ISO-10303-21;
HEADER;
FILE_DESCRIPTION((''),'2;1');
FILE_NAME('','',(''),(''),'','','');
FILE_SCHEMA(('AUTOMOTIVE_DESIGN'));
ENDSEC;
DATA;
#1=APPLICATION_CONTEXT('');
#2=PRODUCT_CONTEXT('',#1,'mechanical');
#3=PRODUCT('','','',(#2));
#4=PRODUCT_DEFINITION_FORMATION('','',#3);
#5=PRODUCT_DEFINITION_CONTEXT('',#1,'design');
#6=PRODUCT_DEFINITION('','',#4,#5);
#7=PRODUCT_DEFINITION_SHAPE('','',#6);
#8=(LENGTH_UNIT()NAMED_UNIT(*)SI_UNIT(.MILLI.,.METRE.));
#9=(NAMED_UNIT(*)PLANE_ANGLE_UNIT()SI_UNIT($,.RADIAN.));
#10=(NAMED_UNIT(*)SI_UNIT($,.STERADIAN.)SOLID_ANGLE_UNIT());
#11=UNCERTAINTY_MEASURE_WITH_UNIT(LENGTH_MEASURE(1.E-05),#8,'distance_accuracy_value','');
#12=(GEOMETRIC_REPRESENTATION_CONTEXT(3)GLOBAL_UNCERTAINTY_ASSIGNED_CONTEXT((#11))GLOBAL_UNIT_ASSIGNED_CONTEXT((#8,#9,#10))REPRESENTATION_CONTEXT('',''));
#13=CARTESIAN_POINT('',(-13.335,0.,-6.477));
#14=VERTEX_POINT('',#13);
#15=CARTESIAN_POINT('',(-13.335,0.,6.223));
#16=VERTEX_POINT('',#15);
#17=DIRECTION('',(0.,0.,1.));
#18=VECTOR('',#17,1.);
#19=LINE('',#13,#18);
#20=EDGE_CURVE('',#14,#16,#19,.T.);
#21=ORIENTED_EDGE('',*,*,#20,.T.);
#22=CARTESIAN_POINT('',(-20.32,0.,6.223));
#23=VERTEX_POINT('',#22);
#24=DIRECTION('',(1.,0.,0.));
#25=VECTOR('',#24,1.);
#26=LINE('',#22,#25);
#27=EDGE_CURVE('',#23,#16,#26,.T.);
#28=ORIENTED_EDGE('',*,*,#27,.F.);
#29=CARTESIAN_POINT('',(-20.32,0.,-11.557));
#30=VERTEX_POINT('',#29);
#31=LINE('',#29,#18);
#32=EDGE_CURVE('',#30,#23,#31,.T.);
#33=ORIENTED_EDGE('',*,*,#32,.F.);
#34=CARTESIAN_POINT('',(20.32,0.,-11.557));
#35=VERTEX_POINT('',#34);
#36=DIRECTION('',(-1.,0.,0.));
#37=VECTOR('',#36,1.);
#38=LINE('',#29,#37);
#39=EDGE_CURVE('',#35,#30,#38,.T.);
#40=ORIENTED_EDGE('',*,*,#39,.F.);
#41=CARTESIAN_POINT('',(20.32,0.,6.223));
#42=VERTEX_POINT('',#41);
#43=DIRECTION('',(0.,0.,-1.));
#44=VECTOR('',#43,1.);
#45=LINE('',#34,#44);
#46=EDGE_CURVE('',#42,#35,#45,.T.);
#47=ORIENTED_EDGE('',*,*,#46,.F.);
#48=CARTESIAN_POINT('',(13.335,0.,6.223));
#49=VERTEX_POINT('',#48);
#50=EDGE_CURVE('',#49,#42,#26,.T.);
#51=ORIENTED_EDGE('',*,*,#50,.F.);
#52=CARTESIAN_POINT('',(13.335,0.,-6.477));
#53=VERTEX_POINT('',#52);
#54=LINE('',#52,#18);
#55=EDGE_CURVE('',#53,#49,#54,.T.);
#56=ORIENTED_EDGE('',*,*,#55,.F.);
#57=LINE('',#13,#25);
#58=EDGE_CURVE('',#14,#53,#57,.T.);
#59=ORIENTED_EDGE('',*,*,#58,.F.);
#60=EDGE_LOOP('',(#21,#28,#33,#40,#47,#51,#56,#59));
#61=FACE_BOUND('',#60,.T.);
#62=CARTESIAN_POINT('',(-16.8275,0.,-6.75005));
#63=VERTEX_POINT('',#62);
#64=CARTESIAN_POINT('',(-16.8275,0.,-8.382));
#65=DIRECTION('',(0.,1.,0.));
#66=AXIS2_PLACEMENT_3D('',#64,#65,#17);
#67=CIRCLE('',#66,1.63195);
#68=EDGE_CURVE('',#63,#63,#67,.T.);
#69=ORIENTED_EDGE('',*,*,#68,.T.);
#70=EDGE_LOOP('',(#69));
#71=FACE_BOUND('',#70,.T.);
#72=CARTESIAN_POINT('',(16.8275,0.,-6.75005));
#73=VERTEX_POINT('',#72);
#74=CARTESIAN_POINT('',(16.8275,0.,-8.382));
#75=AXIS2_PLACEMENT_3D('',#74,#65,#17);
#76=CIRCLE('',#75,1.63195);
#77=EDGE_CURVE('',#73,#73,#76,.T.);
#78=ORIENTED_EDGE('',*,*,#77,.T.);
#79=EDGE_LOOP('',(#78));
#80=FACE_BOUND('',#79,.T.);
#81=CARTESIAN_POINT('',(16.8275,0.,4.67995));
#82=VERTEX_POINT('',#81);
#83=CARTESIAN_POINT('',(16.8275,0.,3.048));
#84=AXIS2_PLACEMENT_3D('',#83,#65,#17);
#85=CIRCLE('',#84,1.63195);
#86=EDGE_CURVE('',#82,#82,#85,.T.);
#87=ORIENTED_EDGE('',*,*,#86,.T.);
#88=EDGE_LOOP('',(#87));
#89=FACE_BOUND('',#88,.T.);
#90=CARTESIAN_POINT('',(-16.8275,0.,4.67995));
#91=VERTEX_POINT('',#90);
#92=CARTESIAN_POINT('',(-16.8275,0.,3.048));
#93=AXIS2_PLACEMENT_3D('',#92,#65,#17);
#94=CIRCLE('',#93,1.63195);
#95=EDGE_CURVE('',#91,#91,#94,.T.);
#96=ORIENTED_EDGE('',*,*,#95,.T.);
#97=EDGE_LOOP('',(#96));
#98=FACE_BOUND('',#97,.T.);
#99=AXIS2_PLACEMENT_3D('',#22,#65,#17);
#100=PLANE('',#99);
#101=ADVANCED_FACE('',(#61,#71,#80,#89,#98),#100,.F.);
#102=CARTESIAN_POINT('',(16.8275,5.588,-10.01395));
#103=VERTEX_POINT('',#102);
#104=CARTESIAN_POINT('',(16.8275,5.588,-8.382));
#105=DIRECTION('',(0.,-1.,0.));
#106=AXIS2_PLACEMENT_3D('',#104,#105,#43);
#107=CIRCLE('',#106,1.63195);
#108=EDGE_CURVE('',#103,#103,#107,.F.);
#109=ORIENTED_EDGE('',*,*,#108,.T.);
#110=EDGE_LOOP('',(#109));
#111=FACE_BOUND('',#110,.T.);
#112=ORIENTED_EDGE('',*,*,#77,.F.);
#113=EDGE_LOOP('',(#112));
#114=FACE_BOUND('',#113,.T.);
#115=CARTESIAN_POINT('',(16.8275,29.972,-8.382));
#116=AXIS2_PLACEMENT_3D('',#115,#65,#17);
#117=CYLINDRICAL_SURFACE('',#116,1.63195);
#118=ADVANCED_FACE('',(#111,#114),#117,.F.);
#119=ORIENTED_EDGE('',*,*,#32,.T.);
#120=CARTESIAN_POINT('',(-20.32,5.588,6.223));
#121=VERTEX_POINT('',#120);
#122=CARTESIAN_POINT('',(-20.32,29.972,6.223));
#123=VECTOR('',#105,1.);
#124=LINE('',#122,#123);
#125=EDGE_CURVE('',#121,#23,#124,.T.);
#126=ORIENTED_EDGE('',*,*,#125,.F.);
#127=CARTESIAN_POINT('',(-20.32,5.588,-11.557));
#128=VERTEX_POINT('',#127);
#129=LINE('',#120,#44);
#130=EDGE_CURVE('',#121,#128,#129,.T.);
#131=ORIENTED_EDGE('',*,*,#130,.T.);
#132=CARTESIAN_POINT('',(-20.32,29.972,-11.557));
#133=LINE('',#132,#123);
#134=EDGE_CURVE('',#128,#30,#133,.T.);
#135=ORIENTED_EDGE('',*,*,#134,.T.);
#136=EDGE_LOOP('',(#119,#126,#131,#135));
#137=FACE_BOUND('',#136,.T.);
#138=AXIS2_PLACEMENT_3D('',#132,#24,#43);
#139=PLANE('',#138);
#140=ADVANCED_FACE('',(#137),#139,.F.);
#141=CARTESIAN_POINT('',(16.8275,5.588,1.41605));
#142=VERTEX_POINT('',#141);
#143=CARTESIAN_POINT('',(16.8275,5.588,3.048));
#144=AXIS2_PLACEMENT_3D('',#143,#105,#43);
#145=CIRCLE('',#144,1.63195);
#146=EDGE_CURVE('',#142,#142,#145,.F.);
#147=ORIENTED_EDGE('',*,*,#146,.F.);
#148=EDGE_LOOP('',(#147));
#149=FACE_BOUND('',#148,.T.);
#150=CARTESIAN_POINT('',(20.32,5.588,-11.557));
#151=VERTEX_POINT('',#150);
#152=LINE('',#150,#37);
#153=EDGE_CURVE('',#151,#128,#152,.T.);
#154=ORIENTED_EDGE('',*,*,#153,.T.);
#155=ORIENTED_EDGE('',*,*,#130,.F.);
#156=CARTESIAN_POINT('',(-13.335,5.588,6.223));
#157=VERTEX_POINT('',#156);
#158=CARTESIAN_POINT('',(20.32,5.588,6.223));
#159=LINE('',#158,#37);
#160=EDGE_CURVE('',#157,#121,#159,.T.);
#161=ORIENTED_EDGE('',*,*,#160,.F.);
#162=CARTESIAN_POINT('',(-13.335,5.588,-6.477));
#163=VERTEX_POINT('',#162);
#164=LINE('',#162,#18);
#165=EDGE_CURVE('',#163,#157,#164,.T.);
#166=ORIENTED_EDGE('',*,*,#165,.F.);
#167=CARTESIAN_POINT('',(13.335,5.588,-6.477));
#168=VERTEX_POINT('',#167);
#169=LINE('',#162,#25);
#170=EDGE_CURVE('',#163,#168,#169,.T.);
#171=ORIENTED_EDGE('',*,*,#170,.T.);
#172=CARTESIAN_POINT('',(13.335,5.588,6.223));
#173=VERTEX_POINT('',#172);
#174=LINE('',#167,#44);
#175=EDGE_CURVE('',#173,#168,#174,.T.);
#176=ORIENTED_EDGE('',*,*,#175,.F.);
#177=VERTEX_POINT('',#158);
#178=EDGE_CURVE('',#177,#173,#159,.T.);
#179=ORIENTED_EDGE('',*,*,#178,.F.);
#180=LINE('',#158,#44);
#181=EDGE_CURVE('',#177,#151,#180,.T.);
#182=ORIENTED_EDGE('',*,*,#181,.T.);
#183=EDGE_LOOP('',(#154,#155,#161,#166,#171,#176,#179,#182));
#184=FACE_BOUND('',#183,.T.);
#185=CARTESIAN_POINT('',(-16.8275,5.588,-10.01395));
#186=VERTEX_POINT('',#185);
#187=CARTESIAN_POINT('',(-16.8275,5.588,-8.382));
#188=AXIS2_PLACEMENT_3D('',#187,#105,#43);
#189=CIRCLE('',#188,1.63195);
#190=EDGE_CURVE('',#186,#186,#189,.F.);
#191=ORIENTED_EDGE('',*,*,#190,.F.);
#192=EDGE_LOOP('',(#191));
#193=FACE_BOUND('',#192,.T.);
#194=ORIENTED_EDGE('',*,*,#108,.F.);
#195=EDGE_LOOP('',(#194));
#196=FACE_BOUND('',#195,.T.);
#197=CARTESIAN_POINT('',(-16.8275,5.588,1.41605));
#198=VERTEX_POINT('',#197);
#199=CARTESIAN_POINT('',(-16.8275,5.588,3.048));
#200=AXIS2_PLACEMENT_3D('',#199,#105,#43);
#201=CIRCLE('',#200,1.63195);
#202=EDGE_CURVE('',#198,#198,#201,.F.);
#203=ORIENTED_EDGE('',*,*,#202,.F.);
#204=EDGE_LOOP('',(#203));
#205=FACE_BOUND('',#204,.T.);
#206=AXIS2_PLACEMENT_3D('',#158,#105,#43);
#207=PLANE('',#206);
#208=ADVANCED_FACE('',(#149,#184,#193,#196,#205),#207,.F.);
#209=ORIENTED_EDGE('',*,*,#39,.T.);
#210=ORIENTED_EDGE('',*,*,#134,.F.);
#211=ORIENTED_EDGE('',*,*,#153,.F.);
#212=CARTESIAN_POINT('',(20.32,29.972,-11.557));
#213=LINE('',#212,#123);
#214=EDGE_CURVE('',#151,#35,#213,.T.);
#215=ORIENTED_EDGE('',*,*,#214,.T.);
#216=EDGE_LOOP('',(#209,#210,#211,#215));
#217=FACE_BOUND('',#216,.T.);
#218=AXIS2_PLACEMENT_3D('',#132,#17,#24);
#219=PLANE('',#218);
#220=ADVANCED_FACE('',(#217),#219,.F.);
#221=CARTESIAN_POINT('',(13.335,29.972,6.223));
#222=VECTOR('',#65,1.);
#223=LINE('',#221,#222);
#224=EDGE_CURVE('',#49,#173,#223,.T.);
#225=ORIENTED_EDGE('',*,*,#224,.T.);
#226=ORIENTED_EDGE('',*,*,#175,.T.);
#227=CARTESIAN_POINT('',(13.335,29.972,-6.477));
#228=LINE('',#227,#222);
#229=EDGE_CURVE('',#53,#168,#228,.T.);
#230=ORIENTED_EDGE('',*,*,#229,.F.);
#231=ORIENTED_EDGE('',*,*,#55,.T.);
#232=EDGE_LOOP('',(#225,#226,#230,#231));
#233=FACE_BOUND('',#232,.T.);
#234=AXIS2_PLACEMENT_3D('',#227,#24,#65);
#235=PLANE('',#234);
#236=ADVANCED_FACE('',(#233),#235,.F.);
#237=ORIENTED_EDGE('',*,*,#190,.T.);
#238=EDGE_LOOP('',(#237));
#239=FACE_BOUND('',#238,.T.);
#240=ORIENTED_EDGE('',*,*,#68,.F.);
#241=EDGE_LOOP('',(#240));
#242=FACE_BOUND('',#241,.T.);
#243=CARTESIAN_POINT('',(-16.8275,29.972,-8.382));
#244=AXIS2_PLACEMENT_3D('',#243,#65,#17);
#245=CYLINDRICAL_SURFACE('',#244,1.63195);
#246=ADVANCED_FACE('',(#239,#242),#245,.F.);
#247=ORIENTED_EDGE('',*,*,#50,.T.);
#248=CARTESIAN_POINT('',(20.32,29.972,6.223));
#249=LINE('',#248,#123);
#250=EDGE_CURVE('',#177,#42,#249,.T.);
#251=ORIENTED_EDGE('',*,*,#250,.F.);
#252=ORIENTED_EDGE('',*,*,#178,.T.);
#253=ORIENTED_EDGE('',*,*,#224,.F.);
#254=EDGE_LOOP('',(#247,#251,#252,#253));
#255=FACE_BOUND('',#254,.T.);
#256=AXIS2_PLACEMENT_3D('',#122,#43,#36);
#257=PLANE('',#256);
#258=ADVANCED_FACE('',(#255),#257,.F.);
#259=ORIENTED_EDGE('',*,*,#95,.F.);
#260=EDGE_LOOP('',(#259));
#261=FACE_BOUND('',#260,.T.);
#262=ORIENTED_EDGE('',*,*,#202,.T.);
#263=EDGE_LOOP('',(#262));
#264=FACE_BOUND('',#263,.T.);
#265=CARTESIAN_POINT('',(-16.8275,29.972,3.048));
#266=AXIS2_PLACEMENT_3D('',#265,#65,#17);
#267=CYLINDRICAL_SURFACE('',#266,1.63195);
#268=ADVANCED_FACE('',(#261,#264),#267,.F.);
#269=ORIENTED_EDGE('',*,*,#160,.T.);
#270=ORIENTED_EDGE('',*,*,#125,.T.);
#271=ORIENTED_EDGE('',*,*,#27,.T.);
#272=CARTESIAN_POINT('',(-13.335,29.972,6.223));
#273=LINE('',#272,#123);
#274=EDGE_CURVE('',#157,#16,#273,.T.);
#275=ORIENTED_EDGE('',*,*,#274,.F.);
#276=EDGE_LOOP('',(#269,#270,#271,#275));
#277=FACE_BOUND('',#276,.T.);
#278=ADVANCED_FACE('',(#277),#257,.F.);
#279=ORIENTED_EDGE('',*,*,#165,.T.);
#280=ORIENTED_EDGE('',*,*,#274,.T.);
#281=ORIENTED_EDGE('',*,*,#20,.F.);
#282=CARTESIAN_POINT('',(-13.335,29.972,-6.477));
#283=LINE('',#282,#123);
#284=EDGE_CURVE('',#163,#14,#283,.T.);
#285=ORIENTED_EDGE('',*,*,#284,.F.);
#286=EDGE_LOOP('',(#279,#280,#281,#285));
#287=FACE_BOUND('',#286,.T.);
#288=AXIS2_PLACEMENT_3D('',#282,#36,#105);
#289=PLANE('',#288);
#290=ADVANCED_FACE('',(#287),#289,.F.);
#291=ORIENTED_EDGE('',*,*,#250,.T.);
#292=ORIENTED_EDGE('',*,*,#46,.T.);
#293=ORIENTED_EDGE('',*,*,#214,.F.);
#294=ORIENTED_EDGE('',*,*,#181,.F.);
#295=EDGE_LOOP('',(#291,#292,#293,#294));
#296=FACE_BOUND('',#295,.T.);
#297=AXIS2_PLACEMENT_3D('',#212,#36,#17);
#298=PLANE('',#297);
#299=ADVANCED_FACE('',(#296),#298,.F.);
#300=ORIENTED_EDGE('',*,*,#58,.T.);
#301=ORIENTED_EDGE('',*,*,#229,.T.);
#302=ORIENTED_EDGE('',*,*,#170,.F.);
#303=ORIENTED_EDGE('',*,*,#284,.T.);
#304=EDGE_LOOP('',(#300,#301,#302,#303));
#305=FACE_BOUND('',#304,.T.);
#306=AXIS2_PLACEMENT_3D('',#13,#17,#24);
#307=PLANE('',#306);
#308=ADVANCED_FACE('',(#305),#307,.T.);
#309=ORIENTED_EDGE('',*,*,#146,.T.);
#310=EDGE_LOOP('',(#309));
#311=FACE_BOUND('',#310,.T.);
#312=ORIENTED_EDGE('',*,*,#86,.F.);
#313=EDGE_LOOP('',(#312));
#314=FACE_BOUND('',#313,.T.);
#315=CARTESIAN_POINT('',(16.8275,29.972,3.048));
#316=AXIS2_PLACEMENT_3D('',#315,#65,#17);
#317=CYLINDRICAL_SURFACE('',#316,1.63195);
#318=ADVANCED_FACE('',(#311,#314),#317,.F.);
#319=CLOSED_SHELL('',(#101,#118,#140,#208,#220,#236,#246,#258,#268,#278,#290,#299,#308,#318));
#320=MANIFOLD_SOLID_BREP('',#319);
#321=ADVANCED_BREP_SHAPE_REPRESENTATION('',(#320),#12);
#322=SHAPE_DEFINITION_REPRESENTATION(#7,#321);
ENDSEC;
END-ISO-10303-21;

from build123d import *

# Parameters (mm, degrees)
SKETCH1_W                       = 40.64
SKETCH1_H                       = 17.78
BOSS_EXTRUDE1_DEPTH             = 29.972
SKETCH2_W                       = 26.67
SKETCH2_H                       = 29.972
CUT_EXTRUDE1_DEPTH              = 12.7
SKETCH5_R                       = 8.001
CUT_EXTRUDE4_DEPTH              = 41.340446006
SKETCH6_R                       = 1.1303
CUT_EXTRUDE5_DEPTH              = 52.802457789
SKETCH7_W                       = 19.900329636
SKETCH7_H                       = 4.576555205
BOSS_EXTRUDE2_DEPTH             = 5.08
F_5_32_0_15625_DIAMETER_HOLE1_D = 3.96875
F_30_0_1285_DIAMETER_HOLE1_D    = 3.2639
SKETCH14_W                      = 1.1303
SKETCH14_H                      = 29.972
SKETCH16_W                      = 40.64
SKETCH16_H                      = 26.629644064
CUT_EXTRUDE6_DEPTH              = 41.347520619


with BuildPart() as part:
    # Sketch1 → Boss-Extrude1 (new body)
    with BuildSketch(Plane(origin=(0, 0, 0), x_dir=(1, 0, 0), z_dir=(0, 1, 0))):
        with Locations((0, 2.667)):
            Rectangle(SKETCH1_W, SKETCH1_H)
    extrude(amount=BOSS_EXTRUDE1_DEPTH)

    # Sketch2 → Cut-Extrude1 (cut)
    with BuildSketch(Plane.XY.offset(6.223)):
        with Locations((0, 14.986)):
            Rectangle(SKETCH2_W, SKETCH2_H)
    extrude(amount=-CUT_EXTRUDE1_DEPTH, mode=Mode.SUBTRACT)

    # Sketch5 → Cut-Extrude4 (cut, through all)
    with BuildSketch(Plane(origin=(0, 0, -11.557), x_dir=(-1, 0, 0), z_dir=(0, 0, -1))):
        with Locations((0, 15.875)):
            Circle(SKETCH5_R)
    extrude(amount=-CUT_EXTRUDE4_DEPTH, mode=Mode.SUBTRACT)

    # Sketch6 → Cut-Extrude5 (cut, through all)
    with BuildSketch(Plane.ZY.offset(20.32)):
        with Locations((-2.667, 15.24)):
            Circle(SKETCH6_R)
    extrude(amount=-CUT_EXTRUDE5_DEPTH, mode=Mode.SUBTRACT)

    # Sketch7 → Boss-Extrude2 (add)
    with BuildSketch(Plane.XY.offset(-6.477)):
        with Locations((0, 27.693243708)):
            Rectangle(SKETCH7_W, SKETCH7_H)
    extrude(amount=BOSS_EXTRUDE2_DEPTH)

    # 5/32 (0.15625) Diameter Hole1 (through all)
    with Locations(Plane(origin=(0, 0, -11.557), x_dir=(-1, 0, 0), z_dir=(0, 0, -1))):
        with Locations((-10.16, 21.717), (-10.16, 10.033), (10.16, 21.717), (10.16, 10.033)):
            Hole(F_5_32_0_15625_DIAMETER_HOLE1_D / 2)

    # #30 (0.1285) Diameter Hole1 (through all)
    with Locations(Plane(origin=(0, 29.972, 0), x_dir=(-1, 0, 0), z_dir=(0, 1, 0))):
        with Locations((16.8275, 3.048), (16.8275, -8.382), (-16.8275, -8.382), (-16.8275, 3.048)):
            Hole(F_30_0_1285_DIAMETER_HOLE1_D / 2)

    # Sketch14 → #4-40 Tapped Hole1 (revolve, cut)
    with BuildSketch(Plane(origin=(0, 29.972, -3.937), x_dir=(0, 0, 1), z_dir=(1, 0, 0))):
        with Locations((0.56515, 14.986)):
            Rectangle(SKETCH14_W, SKETCH14_H)
    revolve(axis=Axis((0, 36.322, -3.937), (0, -1, 0)), mode=Mode.SUBTRACT)

    # Sketch16 → Cut-Extrude6 (cut, through all)
    with BuildSketch(Plane(origin=(0, 0, -11.557), x_dir=(-1, 0, 0), z_dir=(0, 0, -1))):
        with Locations((0, 18.902822032)):
            Rectangle(SKETCH16_W, SKETCH16_H)
    extrude(amount=-CUT_EXTRUDE6_DEPTH, mode=Mode.SUBTRACT)


solid = part.part
